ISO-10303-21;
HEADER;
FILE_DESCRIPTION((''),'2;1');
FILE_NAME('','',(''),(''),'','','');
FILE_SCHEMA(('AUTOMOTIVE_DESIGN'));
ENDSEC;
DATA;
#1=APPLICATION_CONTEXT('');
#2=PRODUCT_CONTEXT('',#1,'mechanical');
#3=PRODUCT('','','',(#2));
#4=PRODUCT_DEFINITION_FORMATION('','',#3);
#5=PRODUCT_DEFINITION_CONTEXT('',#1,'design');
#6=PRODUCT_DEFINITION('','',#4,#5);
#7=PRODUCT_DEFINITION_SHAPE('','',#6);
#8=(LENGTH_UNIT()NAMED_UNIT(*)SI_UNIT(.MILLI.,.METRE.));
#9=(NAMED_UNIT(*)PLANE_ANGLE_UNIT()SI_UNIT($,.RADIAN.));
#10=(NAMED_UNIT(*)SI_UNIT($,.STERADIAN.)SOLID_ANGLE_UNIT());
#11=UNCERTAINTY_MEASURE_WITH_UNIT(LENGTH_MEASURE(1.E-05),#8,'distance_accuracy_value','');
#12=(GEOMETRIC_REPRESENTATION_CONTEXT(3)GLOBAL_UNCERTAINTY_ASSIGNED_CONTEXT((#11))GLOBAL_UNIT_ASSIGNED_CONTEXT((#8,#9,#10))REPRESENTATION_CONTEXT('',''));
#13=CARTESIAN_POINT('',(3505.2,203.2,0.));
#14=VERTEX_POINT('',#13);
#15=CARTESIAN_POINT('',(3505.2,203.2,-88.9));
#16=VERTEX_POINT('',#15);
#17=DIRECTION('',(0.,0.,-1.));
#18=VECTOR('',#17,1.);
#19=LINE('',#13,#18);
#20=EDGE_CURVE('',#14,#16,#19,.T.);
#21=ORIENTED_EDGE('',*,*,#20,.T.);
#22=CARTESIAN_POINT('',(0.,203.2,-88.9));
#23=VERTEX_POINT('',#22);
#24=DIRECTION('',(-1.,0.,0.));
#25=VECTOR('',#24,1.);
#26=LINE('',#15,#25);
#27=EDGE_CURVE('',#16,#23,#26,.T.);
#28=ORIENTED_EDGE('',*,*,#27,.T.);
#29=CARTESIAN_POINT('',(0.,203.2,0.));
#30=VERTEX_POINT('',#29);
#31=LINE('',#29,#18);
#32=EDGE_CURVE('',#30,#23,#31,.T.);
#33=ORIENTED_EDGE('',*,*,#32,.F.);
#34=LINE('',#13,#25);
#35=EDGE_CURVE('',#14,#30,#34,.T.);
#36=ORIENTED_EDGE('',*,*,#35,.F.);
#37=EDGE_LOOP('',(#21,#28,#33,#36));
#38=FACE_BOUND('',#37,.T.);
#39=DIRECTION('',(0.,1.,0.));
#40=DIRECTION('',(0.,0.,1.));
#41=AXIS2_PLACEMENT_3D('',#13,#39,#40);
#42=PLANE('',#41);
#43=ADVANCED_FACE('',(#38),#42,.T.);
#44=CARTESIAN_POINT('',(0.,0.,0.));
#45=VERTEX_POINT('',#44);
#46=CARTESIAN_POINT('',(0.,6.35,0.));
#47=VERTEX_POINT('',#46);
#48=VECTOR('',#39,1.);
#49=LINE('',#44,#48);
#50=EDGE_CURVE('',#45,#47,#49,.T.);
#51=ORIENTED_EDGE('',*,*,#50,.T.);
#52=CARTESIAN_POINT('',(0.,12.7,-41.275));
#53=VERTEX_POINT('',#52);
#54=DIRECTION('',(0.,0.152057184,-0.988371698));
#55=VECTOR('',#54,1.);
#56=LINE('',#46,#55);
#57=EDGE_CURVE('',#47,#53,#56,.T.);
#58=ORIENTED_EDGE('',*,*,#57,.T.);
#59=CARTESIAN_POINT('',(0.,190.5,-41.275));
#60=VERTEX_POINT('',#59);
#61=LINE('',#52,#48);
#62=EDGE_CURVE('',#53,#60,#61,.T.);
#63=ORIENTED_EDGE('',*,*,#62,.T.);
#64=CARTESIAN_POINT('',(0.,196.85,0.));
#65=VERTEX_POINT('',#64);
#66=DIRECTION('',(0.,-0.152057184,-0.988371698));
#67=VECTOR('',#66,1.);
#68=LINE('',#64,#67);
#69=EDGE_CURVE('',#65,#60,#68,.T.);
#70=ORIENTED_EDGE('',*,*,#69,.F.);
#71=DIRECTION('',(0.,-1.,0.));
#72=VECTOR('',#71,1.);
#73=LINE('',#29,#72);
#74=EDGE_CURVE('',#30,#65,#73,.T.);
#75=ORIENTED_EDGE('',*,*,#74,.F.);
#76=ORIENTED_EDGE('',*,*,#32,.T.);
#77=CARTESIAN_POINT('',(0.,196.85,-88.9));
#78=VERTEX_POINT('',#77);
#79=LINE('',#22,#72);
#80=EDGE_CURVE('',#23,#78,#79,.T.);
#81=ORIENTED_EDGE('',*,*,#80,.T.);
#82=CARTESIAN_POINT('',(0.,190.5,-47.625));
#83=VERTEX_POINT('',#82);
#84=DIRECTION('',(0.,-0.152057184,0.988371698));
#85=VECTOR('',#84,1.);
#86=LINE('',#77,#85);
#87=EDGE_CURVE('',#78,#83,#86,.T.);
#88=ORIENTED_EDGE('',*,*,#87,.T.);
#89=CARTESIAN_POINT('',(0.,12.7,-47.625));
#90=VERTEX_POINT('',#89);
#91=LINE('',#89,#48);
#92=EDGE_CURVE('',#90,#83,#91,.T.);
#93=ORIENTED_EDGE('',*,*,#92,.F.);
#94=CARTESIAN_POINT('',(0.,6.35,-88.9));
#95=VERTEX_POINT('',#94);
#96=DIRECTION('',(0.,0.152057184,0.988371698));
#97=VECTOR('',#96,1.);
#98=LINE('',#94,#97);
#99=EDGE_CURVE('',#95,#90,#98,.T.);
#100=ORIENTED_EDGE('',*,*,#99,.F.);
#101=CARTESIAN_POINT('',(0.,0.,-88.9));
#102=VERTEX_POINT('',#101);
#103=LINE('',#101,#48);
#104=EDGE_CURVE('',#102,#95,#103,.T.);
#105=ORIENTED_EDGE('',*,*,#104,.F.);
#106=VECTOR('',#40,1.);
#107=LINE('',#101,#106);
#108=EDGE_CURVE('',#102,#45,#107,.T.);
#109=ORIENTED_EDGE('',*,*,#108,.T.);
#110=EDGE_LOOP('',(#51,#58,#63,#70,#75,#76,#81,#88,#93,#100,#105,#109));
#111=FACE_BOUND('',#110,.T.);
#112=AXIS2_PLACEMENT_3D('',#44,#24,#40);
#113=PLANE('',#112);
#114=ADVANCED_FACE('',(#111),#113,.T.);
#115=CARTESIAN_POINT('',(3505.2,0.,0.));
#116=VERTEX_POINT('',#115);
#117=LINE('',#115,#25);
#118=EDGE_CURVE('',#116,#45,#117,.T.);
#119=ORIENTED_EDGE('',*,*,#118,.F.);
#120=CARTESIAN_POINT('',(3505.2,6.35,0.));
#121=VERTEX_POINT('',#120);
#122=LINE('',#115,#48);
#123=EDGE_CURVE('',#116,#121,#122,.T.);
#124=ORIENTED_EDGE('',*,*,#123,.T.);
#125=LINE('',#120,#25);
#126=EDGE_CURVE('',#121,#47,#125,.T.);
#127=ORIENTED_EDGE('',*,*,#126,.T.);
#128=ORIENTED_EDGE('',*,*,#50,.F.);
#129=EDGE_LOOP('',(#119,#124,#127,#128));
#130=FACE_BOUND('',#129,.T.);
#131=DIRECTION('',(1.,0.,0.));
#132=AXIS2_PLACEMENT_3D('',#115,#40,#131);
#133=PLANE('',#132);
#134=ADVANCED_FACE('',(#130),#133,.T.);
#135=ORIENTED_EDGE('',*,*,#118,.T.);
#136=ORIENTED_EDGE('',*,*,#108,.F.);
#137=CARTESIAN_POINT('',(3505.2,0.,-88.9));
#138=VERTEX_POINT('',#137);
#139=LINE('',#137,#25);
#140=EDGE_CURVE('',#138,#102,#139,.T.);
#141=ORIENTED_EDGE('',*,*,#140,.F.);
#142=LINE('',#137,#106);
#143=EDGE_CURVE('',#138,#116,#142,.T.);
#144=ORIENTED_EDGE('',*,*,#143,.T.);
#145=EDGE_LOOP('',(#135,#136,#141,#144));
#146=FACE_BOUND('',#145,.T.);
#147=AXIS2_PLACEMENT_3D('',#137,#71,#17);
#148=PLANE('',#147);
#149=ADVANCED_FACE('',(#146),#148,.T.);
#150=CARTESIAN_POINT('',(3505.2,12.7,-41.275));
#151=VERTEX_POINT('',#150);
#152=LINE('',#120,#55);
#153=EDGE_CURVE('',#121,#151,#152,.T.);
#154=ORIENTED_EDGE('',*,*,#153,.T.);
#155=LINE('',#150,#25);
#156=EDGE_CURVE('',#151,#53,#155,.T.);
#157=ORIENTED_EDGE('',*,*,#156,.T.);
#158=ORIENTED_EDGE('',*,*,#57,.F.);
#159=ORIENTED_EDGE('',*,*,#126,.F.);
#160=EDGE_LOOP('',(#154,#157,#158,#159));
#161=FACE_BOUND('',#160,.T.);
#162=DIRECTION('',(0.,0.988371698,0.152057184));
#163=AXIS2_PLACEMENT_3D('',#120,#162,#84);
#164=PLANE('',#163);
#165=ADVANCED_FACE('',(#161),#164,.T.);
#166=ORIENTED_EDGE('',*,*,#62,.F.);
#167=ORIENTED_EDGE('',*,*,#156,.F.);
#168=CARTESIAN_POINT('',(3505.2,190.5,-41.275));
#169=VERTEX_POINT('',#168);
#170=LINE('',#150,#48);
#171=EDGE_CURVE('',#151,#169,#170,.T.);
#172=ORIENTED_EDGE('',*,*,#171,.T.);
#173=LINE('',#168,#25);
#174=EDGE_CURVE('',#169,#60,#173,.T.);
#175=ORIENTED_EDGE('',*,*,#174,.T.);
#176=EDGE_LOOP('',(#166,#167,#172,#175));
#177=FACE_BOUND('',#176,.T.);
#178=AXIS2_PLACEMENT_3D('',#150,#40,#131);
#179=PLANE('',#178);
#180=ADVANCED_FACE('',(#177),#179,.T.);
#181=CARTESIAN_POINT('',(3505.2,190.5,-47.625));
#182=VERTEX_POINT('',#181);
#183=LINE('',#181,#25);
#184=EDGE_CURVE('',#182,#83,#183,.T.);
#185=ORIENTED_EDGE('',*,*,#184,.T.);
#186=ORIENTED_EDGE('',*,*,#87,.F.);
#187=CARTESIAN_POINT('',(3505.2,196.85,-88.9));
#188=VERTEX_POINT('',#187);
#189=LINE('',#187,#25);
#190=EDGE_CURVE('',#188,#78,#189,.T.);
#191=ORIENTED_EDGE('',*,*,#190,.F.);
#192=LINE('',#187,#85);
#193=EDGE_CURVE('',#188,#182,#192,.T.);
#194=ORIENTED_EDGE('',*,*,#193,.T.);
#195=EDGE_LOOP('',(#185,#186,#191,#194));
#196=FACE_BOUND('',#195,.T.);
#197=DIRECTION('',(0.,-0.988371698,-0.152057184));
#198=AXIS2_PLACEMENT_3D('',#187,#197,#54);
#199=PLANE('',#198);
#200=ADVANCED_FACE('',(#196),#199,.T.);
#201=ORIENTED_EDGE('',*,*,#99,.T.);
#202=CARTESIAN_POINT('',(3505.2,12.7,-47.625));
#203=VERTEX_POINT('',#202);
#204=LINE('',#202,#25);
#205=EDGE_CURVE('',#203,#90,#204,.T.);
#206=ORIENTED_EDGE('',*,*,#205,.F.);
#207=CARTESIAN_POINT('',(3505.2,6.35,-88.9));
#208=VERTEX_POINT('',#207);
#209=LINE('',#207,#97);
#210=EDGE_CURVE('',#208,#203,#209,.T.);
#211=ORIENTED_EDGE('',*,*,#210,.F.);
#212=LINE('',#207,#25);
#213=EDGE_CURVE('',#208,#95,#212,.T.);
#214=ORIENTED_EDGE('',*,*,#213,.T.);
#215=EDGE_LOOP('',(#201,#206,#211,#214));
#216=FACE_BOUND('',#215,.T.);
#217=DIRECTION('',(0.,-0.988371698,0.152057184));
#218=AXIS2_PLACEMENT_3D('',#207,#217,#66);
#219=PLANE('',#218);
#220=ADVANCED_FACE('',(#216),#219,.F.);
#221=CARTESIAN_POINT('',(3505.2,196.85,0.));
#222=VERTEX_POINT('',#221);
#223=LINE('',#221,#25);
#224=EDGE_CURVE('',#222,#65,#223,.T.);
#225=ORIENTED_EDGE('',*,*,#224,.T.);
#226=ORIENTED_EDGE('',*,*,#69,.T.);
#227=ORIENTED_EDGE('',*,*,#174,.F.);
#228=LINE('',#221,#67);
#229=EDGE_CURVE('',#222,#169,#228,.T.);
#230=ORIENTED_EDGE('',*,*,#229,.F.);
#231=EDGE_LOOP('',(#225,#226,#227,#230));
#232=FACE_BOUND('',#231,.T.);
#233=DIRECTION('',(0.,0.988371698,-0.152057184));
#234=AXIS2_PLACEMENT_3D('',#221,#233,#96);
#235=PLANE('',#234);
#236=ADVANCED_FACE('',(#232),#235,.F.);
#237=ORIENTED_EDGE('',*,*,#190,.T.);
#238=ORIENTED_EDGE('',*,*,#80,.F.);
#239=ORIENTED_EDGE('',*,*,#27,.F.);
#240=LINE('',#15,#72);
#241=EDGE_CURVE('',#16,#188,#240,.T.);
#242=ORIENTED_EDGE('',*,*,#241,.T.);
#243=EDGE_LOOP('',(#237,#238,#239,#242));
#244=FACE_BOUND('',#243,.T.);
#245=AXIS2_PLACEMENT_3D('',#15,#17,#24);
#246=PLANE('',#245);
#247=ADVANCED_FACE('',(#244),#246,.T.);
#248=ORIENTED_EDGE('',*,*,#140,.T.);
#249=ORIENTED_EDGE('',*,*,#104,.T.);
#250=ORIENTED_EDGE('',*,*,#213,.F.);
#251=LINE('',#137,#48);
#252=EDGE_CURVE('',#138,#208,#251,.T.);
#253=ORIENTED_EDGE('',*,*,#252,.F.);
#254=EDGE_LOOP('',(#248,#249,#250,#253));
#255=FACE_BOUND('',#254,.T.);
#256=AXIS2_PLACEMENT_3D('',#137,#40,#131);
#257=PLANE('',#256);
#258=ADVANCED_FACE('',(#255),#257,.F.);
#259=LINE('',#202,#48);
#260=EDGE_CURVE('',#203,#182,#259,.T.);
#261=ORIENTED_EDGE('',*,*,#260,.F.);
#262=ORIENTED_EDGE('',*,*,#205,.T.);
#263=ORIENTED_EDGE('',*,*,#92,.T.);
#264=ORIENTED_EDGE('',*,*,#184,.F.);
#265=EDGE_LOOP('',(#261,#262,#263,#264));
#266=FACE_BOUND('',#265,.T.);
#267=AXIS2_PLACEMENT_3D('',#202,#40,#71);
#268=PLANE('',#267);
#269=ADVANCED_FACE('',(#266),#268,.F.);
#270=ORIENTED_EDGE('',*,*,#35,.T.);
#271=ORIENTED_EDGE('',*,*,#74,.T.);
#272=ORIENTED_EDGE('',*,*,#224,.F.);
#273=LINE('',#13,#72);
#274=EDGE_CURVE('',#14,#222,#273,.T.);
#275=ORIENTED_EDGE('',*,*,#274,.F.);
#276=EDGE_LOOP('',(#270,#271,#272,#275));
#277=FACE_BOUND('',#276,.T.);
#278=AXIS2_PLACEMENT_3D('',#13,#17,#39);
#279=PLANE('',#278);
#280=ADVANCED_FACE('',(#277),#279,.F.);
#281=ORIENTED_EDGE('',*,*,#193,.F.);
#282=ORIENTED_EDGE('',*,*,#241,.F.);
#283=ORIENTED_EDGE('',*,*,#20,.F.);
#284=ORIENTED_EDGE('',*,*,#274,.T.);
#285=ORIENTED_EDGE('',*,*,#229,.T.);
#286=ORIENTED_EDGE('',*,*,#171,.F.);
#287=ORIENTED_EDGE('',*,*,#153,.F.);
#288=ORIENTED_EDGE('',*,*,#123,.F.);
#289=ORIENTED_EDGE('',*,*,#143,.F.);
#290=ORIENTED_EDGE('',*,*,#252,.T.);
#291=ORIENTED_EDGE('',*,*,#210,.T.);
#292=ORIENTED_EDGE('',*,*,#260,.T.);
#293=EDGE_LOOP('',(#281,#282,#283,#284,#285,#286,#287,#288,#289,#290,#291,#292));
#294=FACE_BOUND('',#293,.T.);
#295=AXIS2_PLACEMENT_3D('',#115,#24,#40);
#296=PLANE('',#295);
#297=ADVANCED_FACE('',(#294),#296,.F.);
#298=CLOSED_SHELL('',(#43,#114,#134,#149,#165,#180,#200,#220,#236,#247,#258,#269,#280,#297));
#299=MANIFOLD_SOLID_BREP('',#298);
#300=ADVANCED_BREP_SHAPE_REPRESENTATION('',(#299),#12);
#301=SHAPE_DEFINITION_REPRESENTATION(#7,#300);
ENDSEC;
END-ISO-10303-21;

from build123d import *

# Parameters (mm, degrees)
BOSS_EXTRUDE1_DEPTH = 3505.2


with BuildPart() as part:
    # Sketch1 → Boss-Extrude1 (new body)
    with BuildSketch(Plane(origin=(0, 0, 0), x_dir=(0, 0, -1), z_dir=(1, 0, 0))):
        Polygon((0, 0), (0, 6.35), (41.275, 12.7), (41.275, 190.5), (0, 196.85), (0, 203.2), (88.9, 203.2), (88.9, 196.85), (47.625, 190.5), (47.625, 12.7), (88.9, 6.35), (88.9, 0), align=None)
    extrude(amount=BOSS_EXTRUDE1_DEPTH)


solid = part.part
